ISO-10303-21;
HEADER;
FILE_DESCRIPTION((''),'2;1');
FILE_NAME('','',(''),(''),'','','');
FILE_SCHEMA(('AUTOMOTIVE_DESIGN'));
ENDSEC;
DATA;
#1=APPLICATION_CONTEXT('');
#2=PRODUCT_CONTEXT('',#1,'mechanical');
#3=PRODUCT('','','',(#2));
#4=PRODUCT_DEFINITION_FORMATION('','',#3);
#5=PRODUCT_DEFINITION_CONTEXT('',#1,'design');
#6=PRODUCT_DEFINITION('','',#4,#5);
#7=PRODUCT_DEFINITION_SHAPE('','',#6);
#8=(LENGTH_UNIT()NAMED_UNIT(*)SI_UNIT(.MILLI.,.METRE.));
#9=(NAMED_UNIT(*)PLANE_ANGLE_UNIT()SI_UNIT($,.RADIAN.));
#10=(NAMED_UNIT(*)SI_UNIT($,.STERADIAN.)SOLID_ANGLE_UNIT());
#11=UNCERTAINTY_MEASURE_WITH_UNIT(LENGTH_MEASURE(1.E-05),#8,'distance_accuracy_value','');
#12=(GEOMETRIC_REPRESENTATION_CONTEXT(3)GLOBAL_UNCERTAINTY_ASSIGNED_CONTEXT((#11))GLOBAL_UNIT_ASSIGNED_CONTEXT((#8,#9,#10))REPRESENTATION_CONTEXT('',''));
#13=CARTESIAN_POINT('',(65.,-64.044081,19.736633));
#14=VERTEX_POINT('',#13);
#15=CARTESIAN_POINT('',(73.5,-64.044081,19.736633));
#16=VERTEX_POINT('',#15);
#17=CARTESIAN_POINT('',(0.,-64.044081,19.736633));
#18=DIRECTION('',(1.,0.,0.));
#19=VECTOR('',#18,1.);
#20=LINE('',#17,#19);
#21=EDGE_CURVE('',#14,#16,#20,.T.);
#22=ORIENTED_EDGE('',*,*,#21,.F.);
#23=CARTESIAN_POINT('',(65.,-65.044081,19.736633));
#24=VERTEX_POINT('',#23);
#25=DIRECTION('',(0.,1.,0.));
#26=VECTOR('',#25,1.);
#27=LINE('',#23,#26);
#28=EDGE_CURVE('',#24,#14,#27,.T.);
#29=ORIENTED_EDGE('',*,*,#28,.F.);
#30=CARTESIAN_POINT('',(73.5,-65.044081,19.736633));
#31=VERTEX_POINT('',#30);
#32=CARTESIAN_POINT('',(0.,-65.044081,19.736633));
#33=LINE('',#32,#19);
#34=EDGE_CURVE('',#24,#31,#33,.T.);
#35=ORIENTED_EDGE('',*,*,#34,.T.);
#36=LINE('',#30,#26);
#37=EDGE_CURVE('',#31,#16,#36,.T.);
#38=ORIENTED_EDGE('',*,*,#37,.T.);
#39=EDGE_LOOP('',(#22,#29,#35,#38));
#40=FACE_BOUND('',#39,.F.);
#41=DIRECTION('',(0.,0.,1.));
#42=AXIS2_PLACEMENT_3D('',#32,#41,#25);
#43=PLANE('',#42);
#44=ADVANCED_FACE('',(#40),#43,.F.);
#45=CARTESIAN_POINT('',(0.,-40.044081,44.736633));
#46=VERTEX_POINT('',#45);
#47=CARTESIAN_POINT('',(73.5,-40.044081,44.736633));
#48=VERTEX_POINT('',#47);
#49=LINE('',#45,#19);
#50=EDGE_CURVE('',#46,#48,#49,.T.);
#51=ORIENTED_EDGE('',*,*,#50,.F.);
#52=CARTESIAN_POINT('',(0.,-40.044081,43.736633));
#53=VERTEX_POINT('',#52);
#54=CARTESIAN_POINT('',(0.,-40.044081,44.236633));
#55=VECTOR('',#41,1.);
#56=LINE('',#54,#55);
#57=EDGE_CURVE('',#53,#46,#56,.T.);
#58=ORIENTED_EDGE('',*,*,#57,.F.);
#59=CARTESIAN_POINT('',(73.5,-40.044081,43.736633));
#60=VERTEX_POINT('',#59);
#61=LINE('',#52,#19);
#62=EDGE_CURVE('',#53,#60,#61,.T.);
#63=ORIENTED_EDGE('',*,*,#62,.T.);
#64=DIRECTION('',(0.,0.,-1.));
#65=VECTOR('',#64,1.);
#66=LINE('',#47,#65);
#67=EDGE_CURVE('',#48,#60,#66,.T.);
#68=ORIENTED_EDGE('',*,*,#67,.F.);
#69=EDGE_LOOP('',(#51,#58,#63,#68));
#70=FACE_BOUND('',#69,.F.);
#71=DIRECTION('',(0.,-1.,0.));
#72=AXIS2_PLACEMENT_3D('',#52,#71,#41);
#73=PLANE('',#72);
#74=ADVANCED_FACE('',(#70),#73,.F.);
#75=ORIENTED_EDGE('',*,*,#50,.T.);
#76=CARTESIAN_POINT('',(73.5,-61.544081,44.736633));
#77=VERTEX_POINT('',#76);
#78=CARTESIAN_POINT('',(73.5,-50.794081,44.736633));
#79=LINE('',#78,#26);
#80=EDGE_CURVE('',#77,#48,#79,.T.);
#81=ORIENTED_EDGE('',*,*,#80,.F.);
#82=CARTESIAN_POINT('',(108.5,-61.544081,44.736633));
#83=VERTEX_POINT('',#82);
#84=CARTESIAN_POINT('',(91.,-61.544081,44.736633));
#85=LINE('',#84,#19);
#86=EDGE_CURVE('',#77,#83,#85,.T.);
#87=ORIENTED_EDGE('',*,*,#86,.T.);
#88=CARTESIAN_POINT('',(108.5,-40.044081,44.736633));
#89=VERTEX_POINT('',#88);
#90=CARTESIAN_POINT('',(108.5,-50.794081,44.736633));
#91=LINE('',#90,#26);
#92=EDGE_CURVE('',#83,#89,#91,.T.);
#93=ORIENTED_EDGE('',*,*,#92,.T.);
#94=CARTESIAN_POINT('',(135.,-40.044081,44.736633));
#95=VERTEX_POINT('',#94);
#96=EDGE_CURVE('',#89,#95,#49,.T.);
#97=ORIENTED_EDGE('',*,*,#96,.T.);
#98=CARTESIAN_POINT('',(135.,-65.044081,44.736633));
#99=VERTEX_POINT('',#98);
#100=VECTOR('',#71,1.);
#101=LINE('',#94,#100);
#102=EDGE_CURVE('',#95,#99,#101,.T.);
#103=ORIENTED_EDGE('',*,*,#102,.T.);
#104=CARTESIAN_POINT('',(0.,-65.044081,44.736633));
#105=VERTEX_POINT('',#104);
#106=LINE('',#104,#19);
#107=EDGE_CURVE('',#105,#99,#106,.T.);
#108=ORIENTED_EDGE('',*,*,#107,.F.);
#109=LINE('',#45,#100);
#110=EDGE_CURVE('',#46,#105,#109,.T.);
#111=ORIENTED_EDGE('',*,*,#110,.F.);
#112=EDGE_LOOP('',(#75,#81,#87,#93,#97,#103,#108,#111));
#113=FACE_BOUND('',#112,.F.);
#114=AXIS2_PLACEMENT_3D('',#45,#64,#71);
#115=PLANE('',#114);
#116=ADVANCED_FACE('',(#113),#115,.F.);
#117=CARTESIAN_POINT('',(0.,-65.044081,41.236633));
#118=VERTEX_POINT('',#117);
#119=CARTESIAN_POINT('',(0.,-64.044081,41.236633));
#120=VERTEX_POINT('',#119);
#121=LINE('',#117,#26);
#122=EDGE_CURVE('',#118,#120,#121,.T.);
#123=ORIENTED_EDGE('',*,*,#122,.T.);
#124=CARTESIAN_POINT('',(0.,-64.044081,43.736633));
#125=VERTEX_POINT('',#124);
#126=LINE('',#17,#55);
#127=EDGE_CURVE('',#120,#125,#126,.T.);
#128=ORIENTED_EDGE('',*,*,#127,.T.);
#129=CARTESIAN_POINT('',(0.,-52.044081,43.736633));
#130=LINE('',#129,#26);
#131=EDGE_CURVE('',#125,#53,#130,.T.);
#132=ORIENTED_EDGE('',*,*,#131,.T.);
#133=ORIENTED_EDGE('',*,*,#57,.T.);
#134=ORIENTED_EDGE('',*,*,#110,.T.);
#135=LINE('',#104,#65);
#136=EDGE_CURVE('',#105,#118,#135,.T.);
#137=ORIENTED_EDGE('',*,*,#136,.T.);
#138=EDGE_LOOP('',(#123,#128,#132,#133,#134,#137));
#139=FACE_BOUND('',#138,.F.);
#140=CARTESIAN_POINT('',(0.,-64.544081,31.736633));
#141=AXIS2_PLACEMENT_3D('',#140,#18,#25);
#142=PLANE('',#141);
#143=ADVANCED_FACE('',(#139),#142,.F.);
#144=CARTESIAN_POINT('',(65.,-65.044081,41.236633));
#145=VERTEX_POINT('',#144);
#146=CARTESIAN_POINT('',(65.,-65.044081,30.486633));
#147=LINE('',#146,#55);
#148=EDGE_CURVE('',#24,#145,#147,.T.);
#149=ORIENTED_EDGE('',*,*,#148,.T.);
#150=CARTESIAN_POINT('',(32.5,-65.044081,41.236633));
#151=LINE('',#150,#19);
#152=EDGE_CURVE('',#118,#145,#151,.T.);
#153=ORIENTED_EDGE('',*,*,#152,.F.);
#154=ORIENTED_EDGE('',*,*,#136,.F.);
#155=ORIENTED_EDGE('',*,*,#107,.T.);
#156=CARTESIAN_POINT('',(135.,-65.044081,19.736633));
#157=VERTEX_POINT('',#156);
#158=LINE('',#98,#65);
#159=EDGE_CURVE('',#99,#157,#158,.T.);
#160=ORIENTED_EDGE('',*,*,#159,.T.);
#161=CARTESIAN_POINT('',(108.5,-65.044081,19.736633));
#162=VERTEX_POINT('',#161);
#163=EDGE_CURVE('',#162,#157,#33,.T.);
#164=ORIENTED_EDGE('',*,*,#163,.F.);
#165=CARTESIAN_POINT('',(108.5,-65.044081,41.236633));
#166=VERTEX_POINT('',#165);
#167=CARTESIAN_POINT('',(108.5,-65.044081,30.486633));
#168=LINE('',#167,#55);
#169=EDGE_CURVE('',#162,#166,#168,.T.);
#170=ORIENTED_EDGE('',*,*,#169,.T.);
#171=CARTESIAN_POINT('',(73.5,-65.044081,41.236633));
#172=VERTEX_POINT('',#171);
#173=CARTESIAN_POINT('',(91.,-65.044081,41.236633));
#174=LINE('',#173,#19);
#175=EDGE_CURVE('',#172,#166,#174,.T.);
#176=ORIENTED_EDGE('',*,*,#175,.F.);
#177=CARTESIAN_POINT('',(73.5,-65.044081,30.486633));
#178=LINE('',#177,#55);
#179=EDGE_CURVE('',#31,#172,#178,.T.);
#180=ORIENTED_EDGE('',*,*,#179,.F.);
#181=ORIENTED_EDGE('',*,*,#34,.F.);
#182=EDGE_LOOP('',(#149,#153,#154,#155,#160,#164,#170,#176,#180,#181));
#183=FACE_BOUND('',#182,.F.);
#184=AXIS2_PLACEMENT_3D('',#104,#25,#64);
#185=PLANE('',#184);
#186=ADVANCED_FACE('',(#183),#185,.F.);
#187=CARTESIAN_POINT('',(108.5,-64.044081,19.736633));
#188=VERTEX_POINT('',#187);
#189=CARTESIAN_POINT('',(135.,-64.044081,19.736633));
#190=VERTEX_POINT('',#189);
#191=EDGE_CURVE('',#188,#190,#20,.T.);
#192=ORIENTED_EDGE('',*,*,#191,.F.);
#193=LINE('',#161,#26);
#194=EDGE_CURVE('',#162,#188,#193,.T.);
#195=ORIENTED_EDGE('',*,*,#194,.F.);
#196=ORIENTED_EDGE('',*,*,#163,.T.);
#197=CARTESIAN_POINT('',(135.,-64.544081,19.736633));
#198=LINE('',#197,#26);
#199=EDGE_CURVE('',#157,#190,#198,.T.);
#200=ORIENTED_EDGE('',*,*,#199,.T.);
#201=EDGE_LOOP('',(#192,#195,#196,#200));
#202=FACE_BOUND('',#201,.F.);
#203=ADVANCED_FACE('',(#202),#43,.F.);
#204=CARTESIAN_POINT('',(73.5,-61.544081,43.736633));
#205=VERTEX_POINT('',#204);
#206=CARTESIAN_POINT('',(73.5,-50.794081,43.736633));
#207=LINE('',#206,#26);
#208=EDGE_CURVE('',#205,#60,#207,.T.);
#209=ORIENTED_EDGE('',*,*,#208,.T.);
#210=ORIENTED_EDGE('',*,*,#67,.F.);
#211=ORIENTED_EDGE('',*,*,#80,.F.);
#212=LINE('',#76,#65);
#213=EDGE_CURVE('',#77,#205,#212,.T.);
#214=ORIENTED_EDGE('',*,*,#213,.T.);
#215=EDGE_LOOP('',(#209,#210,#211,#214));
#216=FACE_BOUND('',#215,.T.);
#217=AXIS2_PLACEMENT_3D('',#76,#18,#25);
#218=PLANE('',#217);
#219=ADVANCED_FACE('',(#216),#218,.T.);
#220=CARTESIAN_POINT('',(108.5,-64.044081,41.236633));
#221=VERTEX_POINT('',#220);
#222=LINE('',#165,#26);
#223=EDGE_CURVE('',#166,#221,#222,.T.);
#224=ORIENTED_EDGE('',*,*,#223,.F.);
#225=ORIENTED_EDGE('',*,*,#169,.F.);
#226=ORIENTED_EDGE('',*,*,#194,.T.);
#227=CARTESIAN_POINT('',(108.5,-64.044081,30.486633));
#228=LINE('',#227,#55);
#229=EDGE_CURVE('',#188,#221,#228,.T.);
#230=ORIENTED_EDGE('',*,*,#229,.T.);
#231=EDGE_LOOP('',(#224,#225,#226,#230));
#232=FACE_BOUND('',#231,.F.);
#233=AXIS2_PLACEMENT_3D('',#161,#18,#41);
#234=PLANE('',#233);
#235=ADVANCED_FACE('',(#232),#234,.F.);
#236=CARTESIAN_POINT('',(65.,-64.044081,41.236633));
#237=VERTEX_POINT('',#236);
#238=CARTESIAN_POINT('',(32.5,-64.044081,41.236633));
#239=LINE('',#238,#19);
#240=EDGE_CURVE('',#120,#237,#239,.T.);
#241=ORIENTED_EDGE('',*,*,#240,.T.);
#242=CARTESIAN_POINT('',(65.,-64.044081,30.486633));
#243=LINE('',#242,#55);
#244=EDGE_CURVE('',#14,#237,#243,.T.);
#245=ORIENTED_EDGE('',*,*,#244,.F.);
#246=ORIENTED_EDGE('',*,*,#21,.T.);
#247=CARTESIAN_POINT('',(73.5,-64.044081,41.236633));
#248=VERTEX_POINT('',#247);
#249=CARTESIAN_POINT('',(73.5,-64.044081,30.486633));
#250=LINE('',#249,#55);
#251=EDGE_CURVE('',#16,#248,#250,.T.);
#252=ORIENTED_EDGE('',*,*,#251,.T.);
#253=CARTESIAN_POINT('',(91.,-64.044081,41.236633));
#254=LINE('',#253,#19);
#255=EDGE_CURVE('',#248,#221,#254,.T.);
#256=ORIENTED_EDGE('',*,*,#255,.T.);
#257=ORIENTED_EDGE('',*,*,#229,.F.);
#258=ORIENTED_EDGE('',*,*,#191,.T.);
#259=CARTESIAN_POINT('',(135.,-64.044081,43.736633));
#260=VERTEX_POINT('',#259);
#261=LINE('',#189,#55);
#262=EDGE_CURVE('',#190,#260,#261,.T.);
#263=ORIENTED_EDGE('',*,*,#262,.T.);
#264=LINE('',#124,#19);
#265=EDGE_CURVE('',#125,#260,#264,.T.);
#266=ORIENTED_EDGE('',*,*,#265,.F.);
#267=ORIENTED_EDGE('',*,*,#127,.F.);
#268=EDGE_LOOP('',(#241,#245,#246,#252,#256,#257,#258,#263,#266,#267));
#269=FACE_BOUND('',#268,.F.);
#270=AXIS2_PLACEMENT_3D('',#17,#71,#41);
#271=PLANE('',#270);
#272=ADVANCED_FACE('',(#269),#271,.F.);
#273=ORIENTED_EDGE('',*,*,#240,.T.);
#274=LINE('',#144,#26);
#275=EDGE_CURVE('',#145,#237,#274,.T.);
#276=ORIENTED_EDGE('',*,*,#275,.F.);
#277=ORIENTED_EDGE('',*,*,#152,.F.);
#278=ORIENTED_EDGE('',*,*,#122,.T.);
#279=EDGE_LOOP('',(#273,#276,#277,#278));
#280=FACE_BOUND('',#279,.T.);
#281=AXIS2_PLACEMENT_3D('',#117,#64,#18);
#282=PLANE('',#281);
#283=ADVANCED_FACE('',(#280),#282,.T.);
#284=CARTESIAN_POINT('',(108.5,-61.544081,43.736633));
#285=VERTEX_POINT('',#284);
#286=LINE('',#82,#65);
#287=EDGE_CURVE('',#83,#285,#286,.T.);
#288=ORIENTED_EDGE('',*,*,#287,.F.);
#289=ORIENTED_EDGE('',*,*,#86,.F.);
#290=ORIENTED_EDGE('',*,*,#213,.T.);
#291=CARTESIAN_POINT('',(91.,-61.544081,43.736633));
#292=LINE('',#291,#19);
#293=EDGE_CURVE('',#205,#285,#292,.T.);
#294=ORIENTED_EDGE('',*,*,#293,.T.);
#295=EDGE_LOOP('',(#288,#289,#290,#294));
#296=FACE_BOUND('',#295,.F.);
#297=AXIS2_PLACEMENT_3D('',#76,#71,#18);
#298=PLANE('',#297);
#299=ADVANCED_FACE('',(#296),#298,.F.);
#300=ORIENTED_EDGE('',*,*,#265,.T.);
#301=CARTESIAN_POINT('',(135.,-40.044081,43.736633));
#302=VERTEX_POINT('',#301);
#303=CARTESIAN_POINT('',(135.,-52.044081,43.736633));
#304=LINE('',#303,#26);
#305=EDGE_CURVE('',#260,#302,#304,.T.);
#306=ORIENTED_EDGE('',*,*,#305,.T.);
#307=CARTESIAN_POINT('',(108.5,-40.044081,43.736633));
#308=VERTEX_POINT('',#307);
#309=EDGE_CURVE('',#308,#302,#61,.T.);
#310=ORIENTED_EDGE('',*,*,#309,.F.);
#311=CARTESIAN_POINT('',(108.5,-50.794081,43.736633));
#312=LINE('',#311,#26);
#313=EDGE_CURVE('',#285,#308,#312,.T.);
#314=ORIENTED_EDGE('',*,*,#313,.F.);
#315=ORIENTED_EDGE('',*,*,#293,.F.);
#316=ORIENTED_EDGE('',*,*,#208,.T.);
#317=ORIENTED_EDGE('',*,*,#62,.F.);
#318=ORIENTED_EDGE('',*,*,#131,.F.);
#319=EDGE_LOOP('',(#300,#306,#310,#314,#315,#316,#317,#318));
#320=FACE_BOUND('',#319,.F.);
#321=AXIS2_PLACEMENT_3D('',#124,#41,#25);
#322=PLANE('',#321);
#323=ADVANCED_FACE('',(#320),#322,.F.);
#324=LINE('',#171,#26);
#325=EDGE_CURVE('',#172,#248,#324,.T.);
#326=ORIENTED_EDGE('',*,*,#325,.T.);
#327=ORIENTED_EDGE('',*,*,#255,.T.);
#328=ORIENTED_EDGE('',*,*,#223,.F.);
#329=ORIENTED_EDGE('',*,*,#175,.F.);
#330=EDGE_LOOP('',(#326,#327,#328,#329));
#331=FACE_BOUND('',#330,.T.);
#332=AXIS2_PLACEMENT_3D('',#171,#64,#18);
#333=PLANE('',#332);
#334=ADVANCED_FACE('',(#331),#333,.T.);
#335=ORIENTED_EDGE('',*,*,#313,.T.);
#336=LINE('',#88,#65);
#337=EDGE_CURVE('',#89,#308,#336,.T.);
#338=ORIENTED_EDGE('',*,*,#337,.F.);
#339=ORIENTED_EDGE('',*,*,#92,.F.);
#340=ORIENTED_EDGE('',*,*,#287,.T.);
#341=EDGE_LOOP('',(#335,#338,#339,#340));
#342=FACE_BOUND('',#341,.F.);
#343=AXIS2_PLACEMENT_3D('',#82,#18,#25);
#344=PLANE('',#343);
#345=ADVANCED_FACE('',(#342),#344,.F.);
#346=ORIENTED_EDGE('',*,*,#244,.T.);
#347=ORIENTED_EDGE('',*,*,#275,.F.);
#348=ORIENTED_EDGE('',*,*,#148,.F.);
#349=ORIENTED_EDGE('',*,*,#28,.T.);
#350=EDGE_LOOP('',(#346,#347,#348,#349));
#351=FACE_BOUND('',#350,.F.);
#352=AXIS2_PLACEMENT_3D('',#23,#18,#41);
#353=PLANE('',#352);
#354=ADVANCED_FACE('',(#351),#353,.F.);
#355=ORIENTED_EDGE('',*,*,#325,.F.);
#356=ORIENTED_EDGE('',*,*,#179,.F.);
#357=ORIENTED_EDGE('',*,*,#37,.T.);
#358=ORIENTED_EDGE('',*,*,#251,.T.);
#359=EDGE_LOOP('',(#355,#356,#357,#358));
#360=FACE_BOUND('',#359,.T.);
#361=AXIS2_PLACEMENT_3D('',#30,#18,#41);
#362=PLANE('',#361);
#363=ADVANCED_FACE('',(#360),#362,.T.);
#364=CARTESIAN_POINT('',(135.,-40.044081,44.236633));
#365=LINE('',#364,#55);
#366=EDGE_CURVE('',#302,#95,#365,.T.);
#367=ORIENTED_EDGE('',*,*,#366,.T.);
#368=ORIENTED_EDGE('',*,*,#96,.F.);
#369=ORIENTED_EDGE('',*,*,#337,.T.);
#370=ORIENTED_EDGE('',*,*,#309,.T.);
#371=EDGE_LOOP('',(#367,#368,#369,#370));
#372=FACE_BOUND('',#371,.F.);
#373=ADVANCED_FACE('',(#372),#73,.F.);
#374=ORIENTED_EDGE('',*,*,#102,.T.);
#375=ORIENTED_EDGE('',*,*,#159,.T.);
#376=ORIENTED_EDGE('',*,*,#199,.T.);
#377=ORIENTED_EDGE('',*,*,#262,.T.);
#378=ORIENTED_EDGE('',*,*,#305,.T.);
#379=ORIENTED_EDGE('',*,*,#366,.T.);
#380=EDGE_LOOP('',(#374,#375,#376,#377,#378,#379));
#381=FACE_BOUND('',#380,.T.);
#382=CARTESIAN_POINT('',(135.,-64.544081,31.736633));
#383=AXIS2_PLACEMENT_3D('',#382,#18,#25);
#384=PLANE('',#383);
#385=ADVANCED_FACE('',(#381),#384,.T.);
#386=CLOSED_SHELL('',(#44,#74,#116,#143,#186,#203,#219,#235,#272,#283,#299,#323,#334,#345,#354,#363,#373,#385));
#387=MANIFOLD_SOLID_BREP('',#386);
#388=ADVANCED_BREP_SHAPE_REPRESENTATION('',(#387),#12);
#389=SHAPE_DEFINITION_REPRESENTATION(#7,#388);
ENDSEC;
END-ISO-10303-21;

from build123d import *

# Parameters (mm, degrees)
F0_W     = 1
F0_H     = 24
F0_H_2   = 1
F0_W_2   = 24
F1_DEPTH = 135
F2_W     = 35
F2_H     = 21.5
F3_DEPTH = 1
F4_W     = 35
F4_H     = 21.5
F4_W_2   = 65
F5_DEPTH = 1


with BuildPart() as f1:
    # F0 (on Right) → F1 (new body)
    with BuildSketch(Plane.YZ):
        with Locations((-64.544081, 31.736633)):
            Rectangle(F0_W, F0_H)
        with Locations((-64.544081, 44.236633)):
            Rectangle(F0_W, F0_H_2)
        with Locations((-52.044081, 44.236633)):
            Rectangle(F0_W_2, F0_H_2)
    extrude(amount=F1_DEPTH)

    # F2 (on face) → F3 (cut)
    with BuildSketch(Plane.XY.offset(44.736633)):
        with Locations((91, -50.794081)):
            Rectangle(F2_W, F2_H)
    extrude(amount=-F3_DEPTH, mode=Mode.SUBTRACT)

    # F4 (on face) → F5 (cut)
    with BuildSketch(Plane.XZ.offset(65.044081)):
        with Locations((91, 30.486633)):
            Rectangle(F4_W, F4_H)
        with Locations((32.5, 30.486633)):
            Rectangle(F4_W_2, F4_H)
    extrude(amount=-F5_DEPTH, mode=Mode.SUBTRACT)


solid = f1.part
